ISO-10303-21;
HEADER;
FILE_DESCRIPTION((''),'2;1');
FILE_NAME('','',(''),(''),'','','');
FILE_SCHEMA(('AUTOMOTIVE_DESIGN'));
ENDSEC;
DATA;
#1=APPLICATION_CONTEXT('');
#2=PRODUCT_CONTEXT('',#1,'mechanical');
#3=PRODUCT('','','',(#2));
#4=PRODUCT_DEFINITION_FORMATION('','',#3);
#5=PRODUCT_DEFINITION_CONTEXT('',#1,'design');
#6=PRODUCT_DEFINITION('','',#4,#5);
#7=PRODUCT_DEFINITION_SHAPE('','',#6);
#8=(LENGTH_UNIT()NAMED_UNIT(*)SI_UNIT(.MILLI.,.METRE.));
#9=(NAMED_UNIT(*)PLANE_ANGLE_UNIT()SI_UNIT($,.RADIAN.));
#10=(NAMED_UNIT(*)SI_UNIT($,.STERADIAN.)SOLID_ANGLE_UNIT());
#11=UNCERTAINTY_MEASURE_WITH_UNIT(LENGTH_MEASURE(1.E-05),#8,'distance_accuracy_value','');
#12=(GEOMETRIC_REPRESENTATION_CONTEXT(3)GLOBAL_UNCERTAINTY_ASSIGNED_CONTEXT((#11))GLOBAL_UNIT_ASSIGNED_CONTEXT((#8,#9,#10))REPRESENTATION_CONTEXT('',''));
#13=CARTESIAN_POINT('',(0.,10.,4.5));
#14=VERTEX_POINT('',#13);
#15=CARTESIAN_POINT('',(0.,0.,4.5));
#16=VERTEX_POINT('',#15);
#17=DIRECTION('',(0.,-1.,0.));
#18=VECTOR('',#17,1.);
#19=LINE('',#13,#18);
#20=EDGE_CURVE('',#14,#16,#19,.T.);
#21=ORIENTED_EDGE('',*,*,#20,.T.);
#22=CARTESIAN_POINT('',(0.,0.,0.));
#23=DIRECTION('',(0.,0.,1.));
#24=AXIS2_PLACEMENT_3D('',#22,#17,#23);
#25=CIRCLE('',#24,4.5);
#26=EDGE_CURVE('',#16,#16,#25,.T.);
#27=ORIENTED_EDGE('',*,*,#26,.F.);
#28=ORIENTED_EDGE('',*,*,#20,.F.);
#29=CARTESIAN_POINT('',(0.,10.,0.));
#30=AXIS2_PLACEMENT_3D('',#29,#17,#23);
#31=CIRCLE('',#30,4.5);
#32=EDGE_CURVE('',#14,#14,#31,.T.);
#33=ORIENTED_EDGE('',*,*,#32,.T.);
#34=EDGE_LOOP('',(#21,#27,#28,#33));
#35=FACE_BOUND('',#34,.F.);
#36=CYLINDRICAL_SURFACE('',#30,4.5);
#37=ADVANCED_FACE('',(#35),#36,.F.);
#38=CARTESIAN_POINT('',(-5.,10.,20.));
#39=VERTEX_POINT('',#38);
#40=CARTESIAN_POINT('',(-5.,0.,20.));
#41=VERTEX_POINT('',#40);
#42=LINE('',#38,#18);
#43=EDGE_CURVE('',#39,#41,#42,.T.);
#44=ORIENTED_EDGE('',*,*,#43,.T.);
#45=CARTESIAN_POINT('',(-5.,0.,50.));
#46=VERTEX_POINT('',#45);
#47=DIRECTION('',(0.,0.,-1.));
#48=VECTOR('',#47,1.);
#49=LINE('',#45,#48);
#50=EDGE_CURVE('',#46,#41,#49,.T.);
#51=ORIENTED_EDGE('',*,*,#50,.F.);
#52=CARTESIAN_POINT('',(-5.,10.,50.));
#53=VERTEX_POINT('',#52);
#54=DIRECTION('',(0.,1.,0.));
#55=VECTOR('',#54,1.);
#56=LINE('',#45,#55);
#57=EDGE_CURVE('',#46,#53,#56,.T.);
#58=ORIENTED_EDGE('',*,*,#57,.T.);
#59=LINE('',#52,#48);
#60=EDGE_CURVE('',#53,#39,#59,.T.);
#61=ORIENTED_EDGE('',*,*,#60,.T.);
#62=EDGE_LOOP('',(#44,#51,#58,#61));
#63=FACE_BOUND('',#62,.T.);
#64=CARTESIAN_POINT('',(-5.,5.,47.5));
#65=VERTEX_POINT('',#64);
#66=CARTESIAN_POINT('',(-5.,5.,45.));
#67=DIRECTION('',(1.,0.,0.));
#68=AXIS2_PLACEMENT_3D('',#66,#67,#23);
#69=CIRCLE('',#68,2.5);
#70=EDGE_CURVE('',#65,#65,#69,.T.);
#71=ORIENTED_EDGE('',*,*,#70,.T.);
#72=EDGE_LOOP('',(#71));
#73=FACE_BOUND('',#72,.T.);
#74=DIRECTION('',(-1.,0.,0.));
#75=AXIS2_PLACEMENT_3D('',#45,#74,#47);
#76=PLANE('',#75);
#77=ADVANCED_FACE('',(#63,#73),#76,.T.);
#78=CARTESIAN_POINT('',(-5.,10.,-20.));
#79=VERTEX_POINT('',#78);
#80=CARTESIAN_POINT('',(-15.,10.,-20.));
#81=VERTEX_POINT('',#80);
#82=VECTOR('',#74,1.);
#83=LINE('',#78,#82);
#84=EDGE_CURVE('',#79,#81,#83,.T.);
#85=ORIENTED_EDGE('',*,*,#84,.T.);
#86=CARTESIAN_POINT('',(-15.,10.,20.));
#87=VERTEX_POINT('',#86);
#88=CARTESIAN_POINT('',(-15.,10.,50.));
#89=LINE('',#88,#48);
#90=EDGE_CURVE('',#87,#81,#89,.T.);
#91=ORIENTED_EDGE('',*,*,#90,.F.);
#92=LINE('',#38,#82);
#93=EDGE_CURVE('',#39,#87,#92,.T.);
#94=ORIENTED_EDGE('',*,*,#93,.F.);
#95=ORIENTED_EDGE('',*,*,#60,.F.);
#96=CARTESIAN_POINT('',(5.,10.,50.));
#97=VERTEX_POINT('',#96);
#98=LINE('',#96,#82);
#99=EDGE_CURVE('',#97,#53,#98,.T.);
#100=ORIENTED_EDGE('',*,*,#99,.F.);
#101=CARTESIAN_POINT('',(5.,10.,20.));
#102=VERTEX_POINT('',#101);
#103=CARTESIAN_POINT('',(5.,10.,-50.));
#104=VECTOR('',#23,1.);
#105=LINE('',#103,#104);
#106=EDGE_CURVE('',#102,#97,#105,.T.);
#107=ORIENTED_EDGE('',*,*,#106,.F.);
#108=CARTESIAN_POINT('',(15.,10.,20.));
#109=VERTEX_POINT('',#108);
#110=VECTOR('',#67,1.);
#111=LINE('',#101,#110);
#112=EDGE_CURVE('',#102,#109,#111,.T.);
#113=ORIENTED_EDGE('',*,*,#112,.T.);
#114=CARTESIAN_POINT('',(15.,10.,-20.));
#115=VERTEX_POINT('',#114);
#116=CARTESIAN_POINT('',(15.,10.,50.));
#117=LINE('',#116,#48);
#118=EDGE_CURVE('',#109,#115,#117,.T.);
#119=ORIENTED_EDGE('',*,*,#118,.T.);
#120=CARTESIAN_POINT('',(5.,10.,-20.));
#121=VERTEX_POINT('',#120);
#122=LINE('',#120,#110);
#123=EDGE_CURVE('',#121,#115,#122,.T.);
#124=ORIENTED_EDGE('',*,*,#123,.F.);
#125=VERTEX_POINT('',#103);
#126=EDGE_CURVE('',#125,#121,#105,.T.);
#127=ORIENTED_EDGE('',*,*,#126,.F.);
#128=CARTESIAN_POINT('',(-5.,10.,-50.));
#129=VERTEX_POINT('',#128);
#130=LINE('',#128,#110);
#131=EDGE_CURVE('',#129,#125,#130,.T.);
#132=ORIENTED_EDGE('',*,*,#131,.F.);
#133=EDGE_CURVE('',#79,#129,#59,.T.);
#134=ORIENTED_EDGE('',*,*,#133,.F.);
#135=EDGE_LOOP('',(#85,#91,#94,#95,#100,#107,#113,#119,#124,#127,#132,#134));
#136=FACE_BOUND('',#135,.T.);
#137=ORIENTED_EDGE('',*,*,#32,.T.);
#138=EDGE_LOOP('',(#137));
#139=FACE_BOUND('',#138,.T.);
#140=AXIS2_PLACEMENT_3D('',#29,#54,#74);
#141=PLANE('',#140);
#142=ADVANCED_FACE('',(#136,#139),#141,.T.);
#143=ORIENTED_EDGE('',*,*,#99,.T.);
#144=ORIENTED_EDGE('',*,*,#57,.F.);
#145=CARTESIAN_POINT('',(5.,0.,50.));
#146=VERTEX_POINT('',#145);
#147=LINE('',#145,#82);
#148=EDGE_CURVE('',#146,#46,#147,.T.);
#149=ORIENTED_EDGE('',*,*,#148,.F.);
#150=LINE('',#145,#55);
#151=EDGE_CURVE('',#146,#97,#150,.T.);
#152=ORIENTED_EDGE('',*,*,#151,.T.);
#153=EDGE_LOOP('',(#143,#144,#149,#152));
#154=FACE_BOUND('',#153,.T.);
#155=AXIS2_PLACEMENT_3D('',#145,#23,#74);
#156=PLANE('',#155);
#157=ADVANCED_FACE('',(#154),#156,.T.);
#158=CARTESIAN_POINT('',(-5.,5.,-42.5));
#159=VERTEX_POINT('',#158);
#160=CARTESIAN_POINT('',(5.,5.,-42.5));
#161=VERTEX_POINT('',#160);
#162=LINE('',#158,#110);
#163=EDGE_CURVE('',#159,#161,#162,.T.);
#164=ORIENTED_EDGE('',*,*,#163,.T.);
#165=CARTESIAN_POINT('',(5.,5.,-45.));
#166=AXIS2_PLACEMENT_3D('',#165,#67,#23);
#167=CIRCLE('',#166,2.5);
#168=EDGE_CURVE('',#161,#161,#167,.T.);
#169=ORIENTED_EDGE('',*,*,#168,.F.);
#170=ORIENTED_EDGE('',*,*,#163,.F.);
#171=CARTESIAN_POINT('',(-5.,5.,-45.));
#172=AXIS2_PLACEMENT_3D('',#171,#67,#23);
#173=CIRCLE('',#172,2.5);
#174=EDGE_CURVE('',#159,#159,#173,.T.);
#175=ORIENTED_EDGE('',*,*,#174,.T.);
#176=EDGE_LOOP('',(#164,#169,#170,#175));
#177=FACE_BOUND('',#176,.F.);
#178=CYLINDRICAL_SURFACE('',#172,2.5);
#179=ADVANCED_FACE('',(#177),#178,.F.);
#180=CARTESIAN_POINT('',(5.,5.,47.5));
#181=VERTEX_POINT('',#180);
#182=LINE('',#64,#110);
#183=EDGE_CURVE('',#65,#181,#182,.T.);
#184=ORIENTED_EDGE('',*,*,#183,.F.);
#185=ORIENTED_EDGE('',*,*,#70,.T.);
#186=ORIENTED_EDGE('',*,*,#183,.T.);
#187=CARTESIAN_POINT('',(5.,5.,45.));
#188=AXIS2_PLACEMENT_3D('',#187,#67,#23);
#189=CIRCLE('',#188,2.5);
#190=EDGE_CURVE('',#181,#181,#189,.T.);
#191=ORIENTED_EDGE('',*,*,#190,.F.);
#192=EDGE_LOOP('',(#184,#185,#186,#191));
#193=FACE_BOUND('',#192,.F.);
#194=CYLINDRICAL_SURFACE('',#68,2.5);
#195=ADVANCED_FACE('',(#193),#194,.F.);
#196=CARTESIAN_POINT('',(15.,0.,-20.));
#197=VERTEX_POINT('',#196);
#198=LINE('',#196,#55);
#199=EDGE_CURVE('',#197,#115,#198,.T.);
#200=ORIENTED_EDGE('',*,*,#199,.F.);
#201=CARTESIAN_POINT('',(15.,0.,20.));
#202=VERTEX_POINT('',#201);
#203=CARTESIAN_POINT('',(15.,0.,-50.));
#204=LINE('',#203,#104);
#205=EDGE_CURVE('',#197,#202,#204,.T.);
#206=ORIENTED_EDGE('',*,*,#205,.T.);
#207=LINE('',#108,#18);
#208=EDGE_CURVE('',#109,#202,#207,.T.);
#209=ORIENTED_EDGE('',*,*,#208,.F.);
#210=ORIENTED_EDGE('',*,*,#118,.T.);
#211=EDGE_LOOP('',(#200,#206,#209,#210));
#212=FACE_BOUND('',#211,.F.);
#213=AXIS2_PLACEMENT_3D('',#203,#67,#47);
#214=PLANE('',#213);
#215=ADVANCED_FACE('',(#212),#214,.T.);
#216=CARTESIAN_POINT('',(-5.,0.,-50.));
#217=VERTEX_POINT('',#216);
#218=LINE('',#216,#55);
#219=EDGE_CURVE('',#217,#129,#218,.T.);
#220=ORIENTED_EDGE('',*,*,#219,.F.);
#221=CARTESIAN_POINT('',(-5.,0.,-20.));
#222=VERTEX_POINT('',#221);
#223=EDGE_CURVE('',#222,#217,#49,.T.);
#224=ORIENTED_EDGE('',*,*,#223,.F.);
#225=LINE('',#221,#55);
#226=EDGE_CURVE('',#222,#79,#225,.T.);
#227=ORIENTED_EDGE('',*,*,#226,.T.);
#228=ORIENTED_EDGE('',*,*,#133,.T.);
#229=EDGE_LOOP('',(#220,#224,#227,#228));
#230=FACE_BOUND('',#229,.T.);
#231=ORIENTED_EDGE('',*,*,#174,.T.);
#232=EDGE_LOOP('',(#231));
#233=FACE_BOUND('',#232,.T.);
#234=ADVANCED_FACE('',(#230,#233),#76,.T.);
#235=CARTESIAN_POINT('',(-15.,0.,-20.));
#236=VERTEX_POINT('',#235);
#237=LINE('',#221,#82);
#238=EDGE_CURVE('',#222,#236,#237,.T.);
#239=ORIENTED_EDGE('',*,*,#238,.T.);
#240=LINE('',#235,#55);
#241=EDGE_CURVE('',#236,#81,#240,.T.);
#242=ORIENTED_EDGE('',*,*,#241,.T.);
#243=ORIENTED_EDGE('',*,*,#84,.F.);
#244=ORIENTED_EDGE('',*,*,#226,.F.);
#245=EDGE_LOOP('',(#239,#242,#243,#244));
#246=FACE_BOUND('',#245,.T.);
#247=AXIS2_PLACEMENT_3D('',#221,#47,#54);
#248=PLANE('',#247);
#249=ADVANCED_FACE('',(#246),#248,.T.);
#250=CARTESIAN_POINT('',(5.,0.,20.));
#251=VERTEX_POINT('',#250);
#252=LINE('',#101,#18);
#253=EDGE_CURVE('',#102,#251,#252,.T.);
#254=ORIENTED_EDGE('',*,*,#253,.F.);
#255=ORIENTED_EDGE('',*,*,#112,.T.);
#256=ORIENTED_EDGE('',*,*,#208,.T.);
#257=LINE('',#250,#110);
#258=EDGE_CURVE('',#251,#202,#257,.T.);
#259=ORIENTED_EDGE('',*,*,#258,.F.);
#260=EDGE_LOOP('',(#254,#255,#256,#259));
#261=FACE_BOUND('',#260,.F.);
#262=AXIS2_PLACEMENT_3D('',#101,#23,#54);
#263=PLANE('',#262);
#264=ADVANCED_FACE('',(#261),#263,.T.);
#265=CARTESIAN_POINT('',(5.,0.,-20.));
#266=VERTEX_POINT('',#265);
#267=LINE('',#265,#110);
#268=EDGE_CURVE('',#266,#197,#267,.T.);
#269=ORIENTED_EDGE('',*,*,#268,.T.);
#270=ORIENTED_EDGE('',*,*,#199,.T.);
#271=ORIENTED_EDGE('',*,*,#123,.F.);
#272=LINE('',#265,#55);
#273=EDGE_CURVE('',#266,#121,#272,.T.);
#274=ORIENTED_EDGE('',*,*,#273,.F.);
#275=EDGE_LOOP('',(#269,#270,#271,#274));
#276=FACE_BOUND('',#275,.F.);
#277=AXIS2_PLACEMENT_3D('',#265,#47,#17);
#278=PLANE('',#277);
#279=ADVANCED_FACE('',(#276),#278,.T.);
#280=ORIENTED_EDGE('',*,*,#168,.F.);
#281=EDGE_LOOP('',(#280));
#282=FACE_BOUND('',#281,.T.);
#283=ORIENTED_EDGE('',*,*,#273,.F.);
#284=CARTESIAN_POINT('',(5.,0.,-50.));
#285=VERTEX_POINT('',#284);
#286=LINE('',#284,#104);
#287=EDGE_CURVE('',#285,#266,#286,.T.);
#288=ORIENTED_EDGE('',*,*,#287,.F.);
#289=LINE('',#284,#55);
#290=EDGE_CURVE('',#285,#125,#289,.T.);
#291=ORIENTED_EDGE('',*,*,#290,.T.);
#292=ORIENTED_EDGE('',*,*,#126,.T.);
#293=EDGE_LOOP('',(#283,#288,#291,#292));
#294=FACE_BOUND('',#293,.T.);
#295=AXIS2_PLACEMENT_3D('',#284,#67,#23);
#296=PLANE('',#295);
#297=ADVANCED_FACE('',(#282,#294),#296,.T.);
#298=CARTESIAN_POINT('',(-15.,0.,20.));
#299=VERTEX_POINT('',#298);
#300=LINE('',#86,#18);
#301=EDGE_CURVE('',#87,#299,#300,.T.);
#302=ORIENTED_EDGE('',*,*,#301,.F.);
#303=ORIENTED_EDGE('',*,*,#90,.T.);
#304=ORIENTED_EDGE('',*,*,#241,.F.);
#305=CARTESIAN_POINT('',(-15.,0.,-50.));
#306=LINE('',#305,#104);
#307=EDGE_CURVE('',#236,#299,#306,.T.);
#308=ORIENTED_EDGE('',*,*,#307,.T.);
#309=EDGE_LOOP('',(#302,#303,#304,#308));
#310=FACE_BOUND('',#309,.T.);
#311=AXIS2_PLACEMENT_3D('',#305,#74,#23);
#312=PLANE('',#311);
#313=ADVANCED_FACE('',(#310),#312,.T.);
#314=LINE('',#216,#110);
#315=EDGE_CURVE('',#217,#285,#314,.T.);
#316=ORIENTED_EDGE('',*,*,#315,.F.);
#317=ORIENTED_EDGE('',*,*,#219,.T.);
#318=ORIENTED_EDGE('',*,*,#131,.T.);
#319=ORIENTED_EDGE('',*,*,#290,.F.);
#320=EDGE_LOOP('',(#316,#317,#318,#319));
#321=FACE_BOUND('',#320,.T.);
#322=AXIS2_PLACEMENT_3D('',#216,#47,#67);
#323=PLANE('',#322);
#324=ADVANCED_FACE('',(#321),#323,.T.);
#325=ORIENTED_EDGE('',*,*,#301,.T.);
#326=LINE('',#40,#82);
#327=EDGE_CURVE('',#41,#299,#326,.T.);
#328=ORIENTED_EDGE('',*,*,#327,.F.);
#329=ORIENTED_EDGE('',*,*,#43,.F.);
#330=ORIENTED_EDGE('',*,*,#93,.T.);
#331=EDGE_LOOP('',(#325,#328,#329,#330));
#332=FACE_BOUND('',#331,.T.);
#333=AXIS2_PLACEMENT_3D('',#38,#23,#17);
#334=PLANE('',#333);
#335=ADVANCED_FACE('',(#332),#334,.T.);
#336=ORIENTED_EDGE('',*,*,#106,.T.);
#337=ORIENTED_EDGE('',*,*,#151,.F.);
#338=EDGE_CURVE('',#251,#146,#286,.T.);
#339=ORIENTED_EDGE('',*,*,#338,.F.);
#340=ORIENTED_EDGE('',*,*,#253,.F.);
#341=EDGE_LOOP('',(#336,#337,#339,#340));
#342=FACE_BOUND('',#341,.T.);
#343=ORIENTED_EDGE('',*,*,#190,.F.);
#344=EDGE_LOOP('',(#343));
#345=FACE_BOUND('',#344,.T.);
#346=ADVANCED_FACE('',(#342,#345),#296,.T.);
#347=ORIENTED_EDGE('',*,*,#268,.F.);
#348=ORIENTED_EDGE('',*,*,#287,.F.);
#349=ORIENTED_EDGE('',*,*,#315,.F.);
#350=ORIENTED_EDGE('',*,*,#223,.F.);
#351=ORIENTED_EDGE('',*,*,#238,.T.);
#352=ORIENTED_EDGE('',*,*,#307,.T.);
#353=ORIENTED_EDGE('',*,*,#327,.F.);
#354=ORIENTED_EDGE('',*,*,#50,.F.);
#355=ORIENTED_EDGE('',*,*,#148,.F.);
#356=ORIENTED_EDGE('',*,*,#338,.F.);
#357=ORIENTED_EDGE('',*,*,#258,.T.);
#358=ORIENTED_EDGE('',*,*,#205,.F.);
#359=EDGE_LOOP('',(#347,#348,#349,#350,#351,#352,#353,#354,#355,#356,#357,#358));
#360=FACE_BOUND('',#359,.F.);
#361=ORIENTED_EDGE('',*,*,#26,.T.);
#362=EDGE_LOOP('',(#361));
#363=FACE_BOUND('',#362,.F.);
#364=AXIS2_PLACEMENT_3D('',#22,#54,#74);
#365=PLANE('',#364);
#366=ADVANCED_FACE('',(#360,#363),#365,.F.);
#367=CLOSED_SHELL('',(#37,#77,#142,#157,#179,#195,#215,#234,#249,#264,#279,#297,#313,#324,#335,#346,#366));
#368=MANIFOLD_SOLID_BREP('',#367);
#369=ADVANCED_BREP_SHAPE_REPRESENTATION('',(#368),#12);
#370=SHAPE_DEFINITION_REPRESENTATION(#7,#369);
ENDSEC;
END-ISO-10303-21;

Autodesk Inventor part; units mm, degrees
ref_plane "YZ Plane" through (0, 0, 0) normal (1, 0, 0) x (0, 1, 0)
ref_plane "XZ Plane" through (0, 0, 0) normal (0, 1, 0) x (-1, 0, 0)
ref_plane "XY Plane" through (0, 0, 0) normal (0, 0, 1) x (1, 0, 0)
sketch "Esquisse1" plane through (0, 0, 0) normal (0, 1, 0) x (-1, 0, 0)
  line L0 (-5, 50) -> (5, 50)
  line L1 (5, 50) -> (5, -50)
  line L2 (5, -50) -> (-5, -50)
  line L3 (-5, -50) -> (-5, 50)
  line L4 (-5, 50) -> (5, -50) construction
  line L5 (5, 50) -> (-5, -50) construction
  point P0 (0, 0)
  dimension "d0" = 10
  dimension "d1" = 100
extrude "Extrusion1" add sketch "Esquisse1" along normal blind 10
sketch "Esquisse2" plane through (-5, 0, -50) normal (-1, 0, 0) x (0, 0, 1)
  line L0 (0, 0) -> (100, 0) projected
  line L1 (100, 0) -> (100, 10) projected
  point P0 (50, 0)
  point P1 (5, 5)
  point P2 (95, 5)
hole "Perçage1" at (-5, 5, -45) at (-5, 5, 45) direction (1, 0, 0) diameter 5 end through all
sketch "Esquisse4" plane through (-5, 0, -50) normal (-1, 0, 0) x (0, 0, 1)
  line L0 (100, 10) -> (0, 10) projected
  line L1 (30, 10) -> (70, 10)
  line L2 (70, 10) -> (70, 0)
  line L3 (0, 0) -> (100, 0) projected
  line L4 (70, 0) -> (30, 0)
  line L5 (30, 0) -> (30, 10)
  point P0 (50, 0)
extrude "Extrusion2" add sketch "Esquisse4" along normal blind 10
mirror "Symétrie1" about plane through (0, 0, 0) normal (1, 0, 0) of "Extrusion2"
sketch "Esquisse5" plane through (0, 10, 0) normal (0, 1, 0) x (1, 0, 0)
  point P0 (0, 0)
  point P1 (0, 0)
hole "Perçage2" at (0, 10, 0) direction (0, -1, 0) diameter 9 end through all
ref_plane "Plan de construction1" through (0, 0, 0) normal (1, 0, 0) x (0, 1, 0)
properties part number "Support poulie"
